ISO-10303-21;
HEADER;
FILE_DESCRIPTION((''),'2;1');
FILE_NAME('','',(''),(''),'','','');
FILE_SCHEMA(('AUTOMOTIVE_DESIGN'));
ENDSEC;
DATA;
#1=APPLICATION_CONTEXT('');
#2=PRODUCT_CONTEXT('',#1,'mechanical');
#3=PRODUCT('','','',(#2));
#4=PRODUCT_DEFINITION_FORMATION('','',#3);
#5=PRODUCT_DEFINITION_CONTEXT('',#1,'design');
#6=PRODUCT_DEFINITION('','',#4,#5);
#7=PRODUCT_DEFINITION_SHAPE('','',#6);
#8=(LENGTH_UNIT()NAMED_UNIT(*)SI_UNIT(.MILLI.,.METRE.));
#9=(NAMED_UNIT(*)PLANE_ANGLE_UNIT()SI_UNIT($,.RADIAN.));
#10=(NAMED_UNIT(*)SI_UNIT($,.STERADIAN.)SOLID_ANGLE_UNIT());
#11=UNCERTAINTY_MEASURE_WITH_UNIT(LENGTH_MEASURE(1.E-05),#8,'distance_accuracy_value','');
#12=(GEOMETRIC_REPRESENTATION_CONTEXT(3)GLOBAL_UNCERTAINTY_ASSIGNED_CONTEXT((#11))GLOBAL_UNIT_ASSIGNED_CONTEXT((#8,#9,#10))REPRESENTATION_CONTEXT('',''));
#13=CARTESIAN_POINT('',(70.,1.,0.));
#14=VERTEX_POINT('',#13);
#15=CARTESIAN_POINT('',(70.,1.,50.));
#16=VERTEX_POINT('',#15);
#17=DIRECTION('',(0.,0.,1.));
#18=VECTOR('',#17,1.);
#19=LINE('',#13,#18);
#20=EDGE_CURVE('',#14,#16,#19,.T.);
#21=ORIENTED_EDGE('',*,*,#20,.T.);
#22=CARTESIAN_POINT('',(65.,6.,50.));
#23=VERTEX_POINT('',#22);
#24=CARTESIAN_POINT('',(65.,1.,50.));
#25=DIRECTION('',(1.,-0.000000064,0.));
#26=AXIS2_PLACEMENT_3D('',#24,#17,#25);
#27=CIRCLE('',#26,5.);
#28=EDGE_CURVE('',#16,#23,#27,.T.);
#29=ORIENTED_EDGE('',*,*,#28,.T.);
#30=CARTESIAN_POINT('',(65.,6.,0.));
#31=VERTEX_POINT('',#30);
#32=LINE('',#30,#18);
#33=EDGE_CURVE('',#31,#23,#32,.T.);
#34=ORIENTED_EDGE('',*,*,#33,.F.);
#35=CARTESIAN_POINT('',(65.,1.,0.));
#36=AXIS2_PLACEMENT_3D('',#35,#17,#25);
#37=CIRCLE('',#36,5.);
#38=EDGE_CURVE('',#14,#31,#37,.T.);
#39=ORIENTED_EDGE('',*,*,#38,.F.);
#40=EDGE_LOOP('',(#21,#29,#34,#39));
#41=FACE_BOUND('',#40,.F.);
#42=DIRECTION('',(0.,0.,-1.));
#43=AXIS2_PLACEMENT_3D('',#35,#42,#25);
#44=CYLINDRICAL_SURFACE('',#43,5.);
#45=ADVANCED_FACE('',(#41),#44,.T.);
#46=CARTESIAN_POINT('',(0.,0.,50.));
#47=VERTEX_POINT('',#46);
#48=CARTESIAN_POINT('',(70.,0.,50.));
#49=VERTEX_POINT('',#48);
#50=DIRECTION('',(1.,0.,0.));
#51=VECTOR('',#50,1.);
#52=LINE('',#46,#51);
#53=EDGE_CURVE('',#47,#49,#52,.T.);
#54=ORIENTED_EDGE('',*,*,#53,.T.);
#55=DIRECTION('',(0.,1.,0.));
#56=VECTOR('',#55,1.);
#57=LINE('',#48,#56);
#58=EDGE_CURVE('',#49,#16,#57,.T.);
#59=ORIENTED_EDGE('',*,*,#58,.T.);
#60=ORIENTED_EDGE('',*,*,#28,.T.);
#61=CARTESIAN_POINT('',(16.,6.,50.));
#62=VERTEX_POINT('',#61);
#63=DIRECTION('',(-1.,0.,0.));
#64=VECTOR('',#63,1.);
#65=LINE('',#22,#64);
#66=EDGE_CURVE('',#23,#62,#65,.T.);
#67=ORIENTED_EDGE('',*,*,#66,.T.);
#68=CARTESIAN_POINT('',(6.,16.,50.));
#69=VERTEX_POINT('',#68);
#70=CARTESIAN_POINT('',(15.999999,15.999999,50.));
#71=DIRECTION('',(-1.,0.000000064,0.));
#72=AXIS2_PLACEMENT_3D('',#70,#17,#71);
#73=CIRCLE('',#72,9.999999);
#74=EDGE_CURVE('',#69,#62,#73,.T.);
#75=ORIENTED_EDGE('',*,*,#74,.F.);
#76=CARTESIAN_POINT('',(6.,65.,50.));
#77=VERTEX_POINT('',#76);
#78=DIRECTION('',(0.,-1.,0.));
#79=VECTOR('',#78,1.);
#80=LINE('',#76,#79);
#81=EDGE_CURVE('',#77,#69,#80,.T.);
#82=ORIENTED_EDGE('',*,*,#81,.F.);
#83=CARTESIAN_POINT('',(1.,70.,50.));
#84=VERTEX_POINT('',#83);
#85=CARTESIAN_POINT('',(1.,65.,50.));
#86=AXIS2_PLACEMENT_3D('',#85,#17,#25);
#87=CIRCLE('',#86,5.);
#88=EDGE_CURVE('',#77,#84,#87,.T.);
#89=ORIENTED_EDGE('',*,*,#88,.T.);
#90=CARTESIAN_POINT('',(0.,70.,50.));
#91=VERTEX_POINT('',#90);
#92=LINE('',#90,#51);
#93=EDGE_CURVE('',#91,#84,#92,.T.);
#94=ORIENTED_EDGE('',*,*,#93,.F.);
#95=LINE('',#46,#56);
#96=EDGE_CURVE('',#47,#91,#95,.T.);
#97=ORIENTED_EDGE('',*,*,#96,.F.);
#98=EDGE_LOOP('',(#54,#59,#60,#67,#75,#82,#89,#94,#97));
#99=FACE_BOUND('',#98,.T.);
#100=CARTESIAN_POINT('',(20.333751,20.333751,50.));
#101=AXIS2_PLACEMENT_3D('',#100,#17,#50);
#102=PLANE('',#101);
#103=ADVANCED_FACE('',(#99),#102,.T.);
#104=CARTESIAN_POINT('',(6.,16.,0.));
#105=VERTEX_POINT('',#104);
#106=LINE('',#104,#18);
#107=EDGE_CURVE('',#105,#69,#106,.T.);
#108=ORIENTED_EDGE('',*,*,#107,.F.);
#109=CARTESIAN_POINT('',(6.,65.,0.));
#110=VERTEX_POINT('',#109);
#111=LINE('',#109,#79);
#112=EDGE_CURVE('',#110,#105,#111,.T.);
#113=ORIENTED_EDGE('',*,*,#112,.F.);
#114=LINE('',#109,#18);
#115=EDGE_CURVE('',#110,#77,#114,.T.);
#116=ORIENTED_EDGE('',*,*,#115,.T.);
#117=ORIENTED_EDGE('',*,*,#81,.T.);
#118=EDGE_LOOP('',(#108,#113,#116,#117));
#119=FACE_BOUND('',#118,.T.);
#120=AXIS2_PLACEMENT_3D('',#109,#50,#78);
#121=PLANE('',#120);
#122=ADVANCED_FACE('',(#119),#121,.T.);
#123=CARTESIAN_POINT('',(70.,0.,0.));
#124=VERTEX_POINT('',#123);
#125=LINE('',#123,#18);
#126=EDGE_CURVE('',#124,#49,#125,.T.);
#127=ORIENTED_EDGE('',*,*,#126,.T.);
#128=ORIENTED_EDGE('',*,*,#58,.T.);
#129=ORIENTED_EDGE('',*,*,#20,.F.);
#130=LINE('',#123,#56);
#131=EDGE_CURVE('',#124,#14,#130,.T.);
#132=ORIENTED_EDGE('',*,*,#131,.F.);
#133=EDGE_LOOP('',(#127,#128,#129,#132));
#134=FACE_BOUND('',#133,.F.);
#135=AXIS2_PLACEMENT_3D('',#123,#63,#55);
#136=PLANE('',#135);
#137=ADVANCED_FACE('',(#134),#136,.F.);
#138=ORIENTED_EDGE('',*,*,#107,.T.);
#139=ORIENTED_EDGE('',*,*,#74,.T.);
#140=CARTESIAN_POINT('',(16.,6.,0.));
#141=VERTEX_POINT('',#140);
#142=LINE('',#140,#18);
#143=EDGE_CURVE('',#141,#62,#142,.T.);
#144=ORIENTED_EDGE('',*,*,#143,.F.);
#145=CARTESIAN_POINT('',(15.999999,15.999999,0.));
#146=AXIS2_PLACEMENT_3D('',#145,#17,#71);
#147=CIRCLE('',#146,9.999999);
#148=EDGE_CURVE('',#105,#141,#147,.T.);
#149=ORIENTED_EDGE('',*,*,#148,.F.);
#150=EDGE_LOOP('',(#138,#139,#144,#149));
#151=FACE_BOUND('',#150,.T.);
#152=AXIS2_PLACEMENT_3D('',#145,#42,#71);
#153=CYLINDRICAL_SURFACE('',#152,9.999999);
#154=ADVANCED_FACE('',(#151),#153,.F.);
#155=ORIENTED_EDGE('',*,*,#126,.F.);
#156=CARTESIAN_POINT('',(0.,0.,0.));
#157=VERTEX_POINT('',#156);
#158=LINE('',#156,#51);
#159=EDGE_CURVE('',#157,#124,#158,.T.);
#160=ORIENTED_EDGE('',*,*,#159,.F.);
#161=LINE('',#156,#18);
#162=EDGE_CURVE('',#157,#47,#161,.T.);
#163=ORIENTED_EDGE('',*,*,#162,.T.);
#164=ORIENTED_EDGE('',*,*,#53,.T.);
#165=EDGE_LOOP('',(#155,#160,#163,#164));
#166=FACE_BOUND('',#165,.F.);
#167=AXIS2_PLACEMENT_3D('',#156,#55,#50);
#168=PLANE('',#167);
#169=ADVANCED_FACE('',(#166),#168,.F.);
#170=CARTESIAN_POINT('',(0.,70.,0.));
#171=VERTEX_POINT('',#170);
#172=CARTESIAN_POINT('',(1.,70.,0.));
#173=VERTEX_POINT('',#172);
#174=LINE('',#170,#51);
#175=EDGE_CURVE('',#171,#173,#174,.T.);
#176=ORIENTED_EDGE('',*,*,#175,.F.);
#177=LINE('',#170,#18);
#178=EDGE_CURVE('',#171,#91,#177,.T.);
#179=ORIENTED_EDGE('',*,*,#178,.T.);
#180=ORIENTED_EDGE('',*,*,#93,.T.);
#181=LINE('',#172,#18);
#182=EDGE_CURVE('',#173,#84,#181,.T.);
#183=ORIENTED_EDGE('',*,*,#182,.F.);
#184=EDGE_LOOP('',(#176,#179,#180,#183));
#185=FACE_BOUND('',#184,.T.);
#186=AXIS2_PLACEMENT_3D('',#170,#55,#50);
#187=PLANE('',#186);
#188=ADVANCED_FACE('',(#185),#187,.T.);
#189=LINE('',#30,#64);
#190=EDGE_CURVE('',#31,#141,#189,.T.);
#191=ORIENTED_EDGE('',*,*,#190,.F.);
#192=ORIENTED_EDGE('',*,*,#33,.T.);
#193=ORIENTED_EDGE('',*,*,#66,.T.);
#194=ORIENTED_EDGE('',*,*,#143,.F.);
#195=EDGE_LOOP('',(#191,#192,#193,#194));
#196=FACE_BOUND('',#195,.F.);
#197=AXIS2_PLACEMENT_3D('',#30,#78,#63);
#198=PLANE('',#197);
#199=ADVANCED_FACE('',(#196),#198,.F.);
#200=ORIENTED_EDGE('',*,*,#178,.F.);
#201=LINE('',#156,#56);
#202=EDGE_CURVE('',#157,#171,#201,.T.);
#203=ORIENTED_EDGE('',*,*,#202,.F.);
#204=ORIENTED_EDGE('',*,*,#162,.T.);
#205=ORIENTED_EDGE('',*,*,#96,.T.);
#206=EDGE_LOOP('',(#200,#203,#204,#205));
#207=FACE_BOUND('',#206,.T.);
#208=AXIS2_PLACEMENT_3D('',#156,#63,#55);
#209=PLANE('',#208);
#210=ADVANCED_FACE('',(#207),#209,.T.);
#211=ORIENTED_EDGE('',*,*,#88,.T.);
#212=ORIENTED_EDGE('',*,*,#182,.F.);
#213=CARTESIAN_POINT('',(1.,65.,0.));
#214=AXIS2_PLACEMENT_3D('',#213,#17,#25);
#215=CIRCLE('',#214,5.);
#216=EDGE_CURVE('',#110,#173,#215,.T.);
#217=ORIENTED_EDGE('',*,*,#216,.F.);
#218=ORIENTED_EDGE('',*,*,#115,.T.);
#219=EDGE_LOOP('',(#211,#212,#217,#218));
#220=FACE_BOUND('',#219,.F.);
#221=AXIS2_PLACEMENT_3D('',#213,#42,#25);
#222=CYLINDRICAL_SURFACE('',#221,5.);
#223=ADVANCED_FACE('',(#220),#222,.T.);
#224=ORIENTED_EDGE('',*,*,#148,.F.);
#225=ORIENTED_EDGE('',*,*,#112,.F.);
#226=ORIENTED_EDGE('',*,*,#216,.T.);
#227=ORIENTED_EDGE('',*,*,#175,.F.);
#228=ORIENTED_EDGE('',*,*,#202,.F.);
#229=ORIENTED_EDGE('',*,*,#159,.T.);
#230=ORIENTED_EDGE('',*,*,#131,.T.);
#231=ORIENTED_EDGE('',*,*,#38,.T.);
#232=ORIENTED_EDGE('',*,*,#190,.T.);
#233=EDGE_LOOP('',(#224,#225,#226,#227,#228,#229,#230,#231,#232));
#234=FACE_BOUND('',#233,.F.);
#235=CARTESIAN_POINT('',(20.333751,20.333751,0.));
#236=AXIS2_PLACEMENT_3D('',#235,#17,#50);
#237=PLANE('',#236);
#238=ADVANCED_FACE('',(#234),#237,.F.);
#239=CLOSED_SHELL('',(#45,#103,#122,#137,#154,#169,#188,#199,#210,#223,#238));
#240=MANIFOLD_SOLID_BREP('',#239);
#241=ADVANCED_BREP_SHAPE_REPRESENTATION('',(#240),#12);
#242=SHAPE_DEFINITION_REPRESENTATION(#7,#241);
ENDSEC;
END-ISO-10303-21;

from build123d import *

# Parameters (mm, degrees)
EXTRUDE_DEPTH = 50


with BuildPart() as part:
    # Sketch → Extrude (new body)
    with BuildSketch(Plane.XY):
        with BuildLine():
            Line((0, 0), (70, 0))
            Line((70, 0), (70, 1))
            ThreePointArc((70, 1), (68.535534, 4.535534), (65, 6))
            Line((65, 6), (16, 6))
            ThreePointArc((6, 16), (8.928932, 8.928932), (16, 6))
            Line((6, 65), (6, 16))
            ThreePointArc((6, 65), (4.535534, 68.535534), (1, 70))
            Line((0, 70), (1, 70))
            Line((0, 0), (0, 70))
        make_face()
    extrude(amount=EXTRUDE_DEPTH)


solid = part.part
